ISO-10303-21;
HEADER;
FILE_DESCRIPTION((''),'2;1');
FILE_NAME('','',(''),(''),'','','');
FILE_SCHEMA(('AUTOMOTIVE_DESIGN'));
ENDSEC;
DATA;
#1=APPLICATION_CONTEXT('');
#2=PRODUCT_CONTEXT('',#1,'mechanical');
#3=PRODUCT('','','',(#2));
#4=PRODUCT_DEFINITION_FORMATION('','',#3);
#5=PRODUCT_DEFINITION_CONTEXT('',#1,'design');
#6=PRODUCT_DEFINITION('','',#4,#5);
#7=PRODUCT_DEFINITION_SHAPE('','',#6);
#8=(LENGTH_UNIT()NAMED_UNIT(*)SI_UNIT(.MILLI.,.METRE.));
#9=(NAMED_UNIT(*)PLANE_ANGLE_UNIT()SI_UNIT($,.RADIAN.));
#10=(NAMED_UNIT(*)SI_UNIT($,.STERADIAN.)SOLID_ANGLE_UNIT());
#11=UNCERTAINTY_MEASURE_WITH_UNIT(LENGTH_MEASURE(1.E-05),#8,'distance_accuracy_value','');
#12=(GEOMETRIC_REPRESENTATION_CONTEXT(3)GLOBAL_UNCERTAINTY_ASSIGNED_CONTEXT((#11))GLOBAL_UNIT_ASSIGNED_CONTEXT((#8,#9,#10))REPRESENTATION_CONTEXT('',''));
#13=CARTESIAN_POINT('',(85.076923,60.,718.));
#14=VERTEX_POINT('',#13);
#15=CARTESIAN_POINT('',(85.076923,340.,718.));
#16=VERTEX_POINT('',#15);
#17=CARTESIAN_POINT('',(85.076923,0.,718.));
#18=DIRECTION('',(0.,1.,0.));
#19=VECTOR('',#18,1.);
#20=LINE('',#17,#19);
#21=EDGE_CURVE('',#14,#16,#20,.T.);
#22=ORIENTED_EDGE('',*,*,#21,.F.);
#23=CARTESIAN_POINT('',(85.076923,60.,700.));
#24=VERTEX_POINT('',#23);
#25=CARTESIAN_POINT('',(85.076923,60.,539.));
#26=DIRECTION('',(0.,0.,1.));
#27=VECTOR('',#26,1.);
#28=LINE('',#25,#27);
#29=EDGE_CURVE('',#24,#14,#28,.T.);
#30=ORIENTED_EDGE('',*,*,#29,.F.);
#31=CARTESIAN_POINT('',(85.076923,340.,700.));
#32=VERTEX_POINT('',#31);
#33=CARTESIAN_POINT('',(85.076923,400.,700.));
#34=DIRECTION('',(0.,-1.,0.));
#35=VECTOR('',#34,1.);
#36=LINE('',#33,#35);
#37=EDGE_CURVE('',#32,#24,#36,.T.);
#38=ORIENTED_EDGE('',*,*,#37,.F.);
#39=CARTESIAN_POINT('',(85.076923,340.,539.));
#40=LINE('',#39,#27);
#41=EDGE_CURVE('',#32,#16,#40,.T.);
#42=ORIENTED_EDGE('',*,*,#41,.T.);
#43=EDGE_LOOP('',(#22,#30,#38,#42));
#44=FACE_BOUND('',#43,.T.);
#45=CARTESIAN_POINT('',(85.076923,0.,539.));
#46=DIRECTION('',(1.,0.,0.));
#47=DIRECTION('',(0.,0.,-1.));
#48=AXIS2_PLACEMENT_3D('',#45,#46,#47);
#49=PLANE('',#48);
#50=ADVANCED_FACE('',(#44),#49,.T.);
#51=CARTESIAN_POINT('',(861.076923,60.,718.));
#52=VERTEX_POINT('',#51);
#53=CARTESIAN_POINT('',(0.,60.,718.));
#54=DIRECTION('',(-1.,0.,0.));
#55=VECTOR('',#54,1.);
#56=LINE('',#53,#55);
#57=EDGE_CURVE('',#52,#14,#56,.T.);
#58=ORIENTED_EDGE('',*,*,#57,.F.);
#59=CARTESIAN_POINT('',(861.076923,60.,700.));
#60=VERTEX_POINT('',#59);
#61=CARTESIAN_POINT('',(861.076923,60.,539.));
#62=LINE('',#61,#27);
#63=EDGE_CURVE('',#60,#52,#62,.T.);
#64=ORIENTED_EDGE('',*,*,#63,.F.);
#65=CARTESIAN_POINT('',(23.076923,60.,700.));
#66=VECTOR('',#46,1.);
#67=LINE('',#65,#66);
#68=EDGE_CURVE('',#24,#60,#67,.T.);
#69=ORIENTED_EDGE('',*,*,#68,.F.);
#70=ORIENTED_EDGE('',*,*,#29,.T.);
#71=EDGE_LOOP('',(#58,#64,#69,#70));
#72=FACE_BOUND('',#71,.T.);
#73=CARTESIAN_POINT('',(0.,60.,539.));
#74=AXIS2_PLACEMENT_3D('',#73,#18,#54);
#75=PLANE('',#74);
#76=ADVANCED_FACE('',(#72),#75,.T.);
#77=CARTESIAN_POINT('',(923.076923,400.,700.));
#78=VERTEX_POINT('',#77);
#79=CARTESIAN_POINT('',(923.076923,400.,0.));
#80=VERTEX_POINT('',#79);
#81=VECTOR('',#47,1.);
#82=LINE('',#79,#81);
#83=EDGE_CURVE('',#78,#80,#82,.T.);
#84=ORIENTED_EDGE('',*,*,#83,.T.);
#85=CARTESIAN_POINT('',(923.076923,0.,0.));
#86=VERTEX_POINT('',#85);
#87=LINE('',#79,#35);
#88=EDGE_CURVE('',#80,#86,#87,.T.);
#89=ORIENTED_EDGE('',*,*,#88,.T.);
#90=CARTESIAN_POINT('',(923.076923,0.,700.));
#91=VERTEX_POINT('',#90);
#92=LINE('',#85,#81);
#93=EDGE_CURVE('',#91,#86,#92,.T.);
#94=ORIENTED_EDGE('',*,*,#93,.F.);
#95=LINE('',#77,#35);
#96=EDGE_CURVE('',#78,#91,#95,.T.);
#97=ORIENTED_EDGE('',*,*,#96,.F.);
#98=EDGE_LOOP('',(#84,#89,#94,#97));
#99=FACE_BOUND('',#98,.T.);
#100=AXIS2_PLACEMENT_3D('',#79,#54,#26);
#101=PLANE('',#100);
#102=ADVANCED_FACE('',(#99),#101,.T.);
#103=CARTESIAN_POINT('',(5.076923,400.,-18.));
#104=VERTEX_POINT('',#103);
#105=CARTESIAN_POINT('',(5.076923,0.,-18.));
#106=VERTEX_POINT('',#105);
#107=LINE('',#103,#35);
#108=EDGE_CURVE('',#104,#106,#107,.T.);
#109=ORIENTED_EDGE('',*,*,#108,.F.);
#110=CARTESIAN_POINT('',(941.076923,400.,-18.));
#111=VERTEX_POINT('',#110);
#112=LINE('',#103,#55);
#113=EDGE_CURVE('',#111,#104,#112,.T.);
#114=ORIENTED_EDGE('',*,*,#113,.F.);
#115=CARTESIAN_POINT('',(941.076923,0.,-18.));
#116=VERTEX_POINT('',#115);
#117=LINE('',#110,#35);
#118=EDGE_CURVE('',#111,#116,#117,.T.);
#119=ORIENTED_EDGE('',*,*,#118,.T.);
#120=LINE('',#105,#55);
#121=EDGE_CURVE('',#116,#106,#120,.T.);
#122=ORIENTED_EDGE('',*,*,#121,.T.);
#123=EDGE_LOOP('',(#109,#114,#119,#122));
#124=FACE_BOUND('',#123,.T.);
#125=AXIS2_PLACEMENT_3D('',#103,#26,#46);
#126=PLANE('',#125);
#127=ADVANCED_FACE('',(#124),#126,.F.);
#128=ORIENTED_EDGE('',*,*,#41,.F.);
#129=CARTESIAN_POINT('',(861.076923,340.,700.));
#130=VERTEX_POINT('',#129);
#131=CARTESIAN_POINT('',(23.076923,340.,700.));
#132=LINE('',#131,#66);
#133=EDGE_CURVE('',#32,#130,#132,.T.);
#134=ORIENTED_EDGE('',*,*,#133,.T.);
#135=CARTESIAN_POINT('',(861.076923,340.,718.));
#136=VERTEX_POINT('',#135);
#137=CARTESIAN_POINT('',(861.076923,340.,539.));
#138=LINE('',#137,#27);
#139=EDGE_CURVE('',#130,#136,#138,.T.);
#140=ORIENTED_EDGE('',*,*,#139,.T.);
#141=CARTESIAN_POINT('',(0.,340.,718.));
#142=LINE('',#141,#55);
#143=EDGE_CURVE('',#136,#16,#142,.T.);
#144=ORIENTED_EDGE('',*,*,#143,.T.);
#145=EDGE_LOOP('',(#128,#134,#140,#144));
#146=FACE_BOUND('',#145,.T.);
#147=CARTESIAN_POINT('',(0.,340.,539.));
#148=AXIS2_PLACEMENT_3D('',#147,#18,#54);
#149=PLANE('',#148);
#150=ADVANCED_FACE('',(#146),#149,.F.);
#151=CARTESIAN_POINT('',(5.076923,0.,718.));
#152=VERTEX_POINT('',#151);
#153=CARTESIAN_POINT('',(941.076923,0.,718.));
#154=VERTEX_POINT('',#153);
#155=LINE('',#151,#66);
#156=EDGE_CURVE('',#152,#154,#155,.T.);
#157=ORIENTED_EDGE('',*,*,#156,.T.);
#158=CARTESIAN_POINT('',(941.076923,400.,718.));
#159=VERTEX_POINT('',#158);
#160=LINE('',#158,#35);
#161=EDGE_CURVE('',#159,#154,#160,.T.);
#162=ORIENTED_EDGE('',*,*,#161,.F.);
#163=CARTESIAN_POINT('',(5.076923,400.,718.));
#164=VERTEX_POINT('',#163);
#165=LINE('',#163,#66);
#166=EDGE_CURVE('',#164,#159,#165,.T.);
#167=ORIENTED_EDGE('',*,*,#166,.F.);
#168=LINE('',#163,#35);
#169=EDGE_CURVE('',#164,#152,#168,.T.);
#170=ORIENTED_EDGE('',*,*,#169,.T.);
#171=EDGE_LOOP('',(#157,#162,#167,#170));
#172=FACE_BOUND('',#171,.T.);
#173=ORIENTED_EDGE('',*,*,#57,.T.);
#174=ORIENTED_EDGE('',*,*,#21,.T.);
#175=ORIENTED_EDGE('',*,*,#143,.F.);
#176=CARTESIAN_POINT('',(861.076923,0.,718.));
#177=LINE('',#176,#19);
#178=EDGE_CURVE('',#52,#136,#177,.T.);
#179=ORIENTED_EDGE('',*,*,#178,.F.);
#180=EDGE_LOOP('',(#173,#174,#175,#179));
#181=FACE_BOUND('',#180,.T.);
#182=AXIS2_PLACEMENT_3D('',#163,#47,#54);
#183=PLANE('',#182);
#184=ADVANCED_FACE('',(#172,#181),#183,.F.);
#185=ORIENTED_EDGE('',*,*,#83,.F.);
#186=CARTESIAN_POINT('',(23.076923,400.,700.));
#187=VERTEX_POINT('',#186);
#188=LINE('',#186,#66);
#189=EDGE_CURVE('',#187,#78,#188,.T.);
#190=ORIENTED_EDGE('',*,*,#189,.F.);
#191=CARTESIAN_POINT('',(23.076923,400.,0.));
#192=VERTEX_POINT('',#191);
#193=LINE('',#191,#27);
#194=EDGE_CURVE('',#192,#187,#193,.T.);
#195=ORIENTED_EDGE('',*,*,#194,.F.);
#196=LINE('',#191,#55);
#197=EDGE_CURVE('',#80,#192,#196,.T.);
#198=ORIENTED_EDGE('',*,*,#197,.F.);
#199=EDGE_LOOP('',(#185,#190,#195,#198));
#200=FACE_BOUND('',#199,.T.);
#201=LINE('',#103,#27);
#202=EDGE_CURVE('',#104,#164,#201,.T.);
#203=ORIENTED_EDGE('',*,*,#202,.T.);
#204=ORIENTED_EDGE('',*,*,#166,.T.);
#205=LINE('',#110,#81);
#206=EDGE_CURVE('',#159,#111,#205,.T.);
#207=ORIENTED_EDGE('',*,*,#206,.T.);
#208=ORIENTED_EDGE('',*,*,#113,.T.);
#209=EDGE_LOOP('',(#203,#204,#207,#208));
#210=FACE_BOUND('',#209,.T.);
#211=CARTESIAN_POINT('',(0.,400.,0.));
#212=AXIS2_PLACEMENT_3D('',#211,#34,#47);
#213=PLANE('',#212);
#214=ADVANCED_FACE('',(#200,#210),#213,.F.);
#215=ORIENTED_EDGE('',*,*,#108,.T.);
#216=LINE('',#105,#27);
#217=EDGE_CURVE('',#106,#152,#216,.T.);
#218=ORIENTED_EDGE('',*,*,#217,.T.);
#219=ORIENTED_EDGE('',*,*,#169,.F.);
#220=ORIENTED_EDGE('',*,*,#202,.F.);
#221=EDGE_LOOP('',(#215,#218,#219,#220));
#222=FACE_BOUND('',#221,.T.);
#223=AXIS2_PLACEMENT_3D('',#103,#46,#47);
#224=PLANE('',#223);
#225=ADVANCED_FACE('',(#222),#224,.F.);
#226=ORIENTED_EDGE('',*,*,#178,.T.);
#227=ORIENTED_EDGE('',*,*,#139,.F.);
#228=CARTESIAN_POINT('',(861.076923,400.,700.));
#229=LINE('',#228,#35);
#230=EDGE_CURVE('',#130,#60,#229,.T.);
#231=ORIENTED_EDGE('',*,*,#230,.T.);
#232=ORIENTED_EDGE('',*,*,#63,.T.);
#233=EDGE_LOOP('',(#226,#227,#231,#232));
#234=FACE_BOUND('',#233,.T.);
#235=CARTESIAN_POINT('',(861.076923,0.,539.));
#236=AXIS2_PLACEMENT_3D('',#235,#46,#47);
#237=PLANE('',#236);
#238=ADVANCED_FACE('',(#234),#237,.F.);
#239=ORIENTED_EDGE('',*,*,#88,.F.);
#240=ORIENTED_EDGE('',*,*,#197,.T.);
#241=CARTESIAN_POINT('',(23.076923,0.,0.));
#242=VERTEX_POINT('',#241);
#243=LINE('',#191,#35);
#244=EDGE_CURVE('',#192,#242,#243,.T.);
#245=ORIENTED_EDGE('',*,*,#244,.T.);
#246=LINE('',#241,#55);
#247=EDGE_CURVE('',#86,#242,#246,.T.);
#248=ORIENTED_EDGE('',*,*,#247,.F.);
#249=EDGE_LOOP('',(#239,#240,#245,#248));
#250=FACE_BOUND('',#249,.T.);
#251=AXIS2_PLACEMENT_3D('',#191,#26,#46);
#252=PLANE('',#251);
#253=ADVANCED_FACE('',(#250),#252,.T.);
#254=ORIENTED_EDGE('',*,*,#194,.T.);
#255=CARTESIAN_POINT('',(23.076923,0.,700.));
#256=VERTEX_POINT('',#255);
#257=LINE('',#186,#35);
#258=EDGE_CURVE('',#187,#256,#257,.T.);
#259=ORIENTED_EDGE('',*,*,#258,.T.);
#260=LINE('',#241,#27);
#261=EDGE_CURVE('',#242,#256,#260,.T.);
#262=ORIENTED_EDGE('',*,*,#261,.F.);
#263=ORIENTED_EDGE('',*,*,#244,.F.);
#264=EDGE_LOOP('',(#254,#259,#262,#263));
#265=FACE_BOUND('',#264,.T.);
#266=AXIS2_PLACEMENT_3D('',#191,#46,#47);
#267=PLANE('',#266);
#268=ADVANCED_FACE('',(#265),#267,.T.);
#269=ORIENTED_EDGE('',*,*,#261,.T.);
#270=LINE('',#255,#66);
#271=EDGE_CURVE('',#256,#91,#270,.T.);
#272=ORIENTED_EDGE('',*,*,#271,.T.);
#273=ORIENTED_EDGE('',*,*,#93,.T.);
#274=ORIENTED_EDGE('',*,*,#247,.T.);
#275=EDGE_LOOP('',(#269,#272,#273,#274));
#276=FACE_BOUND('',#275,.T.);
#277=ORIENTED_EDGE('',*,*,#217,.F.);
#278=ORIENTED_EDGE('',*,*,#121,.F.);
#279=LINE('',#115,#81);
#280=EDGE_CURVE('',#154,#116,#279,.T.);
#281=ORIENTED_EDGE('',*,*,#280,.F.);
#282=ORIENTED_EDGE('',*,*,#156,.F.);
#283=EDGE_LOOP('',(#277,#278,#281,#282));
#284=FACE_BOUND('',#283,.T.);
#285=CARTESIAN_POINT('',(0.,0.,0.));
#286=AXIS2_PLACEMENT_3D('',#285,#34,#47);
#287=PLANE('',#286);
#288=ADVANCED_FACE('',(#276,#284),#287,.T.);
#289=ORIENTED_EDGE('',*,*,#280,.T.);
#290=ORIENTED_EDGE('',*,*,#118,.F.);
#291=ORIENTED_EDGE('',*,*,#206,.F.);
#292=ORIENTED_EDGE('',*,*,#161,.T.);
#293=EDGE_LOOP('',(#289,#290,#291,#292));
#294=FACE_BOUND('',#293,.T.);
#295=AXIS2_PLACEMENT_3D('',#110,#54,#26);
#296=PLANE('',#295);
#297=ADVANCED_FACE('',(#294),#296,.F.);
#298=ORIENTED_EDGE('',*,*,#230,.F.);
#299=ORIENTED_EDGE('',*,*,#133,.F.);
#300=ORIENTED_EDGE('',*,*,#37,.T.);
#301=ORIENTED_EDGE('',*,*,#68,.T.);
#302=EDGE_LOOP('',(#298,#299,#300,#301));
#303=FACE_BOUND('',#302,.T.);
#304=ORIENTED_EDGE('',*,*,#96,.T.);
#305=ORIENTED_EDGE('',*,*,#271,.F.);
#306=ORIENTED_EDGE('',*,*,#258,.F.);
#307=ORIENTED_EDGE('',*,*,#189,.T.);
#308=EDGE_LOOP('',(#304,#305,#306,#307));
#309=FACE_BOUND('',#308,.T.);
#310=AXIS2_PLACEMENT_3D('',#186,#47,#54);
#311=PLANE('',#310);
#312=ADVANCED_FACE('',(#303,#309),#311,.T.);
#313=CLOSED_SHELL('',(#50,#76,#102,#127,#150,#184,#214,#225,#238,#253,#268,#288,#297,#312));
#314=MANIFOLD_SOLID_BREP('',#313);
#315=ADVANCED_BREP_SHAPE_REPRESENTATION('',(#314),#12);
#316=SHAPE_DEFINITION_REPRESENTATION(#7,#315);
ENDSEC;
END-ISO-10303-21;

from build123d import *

# Parameters (mm, degrees)
SKETCH_1_W          = 936
SKETCH_1_H          = 736
SKETCH_1_W_2        = 900
SKETCH_1_H_2        = 700
EXTRUDE_1_DEPTH     = 400
SKETCH_2_W          = 776
SKETCH_2_H          = 280
CUT_EXTRUDE_1_DEPTH = 179


with BuildPart() as part:
    # 草图1 → 凸台-拉伸1 (new body)
    with BuildSketch(Plane(origin=(0, 0, 0), x_dir=(1, 0, 0), z_dir=(0, 1, 0))):
        with Locations((473.076923077, -350)):
            Rectangle(SKETCH_1_W, SKETCH_1_H)
        with Locations((473.076923077, -350)):
            Rectangle(SKETCH_1_W_2, SKETCH_1_H_2, mode=Mode.SUBTRACT)
    extrude(amount=EXTRUDE_1_DEPTH)

    # 草图2 → 切除-拉伸1 (cut)
    with BuildSketch(Plane.XY.offset(718)):
        with Locations((473.076923077, 200)):
            Rectangle(SKETCH_2_W, SKETCH_2_H)
    extrude(amount=-CUT_EXTRUDE_1_DEPTH, mode=Mode.SUBTRACT)


solid = part.part
